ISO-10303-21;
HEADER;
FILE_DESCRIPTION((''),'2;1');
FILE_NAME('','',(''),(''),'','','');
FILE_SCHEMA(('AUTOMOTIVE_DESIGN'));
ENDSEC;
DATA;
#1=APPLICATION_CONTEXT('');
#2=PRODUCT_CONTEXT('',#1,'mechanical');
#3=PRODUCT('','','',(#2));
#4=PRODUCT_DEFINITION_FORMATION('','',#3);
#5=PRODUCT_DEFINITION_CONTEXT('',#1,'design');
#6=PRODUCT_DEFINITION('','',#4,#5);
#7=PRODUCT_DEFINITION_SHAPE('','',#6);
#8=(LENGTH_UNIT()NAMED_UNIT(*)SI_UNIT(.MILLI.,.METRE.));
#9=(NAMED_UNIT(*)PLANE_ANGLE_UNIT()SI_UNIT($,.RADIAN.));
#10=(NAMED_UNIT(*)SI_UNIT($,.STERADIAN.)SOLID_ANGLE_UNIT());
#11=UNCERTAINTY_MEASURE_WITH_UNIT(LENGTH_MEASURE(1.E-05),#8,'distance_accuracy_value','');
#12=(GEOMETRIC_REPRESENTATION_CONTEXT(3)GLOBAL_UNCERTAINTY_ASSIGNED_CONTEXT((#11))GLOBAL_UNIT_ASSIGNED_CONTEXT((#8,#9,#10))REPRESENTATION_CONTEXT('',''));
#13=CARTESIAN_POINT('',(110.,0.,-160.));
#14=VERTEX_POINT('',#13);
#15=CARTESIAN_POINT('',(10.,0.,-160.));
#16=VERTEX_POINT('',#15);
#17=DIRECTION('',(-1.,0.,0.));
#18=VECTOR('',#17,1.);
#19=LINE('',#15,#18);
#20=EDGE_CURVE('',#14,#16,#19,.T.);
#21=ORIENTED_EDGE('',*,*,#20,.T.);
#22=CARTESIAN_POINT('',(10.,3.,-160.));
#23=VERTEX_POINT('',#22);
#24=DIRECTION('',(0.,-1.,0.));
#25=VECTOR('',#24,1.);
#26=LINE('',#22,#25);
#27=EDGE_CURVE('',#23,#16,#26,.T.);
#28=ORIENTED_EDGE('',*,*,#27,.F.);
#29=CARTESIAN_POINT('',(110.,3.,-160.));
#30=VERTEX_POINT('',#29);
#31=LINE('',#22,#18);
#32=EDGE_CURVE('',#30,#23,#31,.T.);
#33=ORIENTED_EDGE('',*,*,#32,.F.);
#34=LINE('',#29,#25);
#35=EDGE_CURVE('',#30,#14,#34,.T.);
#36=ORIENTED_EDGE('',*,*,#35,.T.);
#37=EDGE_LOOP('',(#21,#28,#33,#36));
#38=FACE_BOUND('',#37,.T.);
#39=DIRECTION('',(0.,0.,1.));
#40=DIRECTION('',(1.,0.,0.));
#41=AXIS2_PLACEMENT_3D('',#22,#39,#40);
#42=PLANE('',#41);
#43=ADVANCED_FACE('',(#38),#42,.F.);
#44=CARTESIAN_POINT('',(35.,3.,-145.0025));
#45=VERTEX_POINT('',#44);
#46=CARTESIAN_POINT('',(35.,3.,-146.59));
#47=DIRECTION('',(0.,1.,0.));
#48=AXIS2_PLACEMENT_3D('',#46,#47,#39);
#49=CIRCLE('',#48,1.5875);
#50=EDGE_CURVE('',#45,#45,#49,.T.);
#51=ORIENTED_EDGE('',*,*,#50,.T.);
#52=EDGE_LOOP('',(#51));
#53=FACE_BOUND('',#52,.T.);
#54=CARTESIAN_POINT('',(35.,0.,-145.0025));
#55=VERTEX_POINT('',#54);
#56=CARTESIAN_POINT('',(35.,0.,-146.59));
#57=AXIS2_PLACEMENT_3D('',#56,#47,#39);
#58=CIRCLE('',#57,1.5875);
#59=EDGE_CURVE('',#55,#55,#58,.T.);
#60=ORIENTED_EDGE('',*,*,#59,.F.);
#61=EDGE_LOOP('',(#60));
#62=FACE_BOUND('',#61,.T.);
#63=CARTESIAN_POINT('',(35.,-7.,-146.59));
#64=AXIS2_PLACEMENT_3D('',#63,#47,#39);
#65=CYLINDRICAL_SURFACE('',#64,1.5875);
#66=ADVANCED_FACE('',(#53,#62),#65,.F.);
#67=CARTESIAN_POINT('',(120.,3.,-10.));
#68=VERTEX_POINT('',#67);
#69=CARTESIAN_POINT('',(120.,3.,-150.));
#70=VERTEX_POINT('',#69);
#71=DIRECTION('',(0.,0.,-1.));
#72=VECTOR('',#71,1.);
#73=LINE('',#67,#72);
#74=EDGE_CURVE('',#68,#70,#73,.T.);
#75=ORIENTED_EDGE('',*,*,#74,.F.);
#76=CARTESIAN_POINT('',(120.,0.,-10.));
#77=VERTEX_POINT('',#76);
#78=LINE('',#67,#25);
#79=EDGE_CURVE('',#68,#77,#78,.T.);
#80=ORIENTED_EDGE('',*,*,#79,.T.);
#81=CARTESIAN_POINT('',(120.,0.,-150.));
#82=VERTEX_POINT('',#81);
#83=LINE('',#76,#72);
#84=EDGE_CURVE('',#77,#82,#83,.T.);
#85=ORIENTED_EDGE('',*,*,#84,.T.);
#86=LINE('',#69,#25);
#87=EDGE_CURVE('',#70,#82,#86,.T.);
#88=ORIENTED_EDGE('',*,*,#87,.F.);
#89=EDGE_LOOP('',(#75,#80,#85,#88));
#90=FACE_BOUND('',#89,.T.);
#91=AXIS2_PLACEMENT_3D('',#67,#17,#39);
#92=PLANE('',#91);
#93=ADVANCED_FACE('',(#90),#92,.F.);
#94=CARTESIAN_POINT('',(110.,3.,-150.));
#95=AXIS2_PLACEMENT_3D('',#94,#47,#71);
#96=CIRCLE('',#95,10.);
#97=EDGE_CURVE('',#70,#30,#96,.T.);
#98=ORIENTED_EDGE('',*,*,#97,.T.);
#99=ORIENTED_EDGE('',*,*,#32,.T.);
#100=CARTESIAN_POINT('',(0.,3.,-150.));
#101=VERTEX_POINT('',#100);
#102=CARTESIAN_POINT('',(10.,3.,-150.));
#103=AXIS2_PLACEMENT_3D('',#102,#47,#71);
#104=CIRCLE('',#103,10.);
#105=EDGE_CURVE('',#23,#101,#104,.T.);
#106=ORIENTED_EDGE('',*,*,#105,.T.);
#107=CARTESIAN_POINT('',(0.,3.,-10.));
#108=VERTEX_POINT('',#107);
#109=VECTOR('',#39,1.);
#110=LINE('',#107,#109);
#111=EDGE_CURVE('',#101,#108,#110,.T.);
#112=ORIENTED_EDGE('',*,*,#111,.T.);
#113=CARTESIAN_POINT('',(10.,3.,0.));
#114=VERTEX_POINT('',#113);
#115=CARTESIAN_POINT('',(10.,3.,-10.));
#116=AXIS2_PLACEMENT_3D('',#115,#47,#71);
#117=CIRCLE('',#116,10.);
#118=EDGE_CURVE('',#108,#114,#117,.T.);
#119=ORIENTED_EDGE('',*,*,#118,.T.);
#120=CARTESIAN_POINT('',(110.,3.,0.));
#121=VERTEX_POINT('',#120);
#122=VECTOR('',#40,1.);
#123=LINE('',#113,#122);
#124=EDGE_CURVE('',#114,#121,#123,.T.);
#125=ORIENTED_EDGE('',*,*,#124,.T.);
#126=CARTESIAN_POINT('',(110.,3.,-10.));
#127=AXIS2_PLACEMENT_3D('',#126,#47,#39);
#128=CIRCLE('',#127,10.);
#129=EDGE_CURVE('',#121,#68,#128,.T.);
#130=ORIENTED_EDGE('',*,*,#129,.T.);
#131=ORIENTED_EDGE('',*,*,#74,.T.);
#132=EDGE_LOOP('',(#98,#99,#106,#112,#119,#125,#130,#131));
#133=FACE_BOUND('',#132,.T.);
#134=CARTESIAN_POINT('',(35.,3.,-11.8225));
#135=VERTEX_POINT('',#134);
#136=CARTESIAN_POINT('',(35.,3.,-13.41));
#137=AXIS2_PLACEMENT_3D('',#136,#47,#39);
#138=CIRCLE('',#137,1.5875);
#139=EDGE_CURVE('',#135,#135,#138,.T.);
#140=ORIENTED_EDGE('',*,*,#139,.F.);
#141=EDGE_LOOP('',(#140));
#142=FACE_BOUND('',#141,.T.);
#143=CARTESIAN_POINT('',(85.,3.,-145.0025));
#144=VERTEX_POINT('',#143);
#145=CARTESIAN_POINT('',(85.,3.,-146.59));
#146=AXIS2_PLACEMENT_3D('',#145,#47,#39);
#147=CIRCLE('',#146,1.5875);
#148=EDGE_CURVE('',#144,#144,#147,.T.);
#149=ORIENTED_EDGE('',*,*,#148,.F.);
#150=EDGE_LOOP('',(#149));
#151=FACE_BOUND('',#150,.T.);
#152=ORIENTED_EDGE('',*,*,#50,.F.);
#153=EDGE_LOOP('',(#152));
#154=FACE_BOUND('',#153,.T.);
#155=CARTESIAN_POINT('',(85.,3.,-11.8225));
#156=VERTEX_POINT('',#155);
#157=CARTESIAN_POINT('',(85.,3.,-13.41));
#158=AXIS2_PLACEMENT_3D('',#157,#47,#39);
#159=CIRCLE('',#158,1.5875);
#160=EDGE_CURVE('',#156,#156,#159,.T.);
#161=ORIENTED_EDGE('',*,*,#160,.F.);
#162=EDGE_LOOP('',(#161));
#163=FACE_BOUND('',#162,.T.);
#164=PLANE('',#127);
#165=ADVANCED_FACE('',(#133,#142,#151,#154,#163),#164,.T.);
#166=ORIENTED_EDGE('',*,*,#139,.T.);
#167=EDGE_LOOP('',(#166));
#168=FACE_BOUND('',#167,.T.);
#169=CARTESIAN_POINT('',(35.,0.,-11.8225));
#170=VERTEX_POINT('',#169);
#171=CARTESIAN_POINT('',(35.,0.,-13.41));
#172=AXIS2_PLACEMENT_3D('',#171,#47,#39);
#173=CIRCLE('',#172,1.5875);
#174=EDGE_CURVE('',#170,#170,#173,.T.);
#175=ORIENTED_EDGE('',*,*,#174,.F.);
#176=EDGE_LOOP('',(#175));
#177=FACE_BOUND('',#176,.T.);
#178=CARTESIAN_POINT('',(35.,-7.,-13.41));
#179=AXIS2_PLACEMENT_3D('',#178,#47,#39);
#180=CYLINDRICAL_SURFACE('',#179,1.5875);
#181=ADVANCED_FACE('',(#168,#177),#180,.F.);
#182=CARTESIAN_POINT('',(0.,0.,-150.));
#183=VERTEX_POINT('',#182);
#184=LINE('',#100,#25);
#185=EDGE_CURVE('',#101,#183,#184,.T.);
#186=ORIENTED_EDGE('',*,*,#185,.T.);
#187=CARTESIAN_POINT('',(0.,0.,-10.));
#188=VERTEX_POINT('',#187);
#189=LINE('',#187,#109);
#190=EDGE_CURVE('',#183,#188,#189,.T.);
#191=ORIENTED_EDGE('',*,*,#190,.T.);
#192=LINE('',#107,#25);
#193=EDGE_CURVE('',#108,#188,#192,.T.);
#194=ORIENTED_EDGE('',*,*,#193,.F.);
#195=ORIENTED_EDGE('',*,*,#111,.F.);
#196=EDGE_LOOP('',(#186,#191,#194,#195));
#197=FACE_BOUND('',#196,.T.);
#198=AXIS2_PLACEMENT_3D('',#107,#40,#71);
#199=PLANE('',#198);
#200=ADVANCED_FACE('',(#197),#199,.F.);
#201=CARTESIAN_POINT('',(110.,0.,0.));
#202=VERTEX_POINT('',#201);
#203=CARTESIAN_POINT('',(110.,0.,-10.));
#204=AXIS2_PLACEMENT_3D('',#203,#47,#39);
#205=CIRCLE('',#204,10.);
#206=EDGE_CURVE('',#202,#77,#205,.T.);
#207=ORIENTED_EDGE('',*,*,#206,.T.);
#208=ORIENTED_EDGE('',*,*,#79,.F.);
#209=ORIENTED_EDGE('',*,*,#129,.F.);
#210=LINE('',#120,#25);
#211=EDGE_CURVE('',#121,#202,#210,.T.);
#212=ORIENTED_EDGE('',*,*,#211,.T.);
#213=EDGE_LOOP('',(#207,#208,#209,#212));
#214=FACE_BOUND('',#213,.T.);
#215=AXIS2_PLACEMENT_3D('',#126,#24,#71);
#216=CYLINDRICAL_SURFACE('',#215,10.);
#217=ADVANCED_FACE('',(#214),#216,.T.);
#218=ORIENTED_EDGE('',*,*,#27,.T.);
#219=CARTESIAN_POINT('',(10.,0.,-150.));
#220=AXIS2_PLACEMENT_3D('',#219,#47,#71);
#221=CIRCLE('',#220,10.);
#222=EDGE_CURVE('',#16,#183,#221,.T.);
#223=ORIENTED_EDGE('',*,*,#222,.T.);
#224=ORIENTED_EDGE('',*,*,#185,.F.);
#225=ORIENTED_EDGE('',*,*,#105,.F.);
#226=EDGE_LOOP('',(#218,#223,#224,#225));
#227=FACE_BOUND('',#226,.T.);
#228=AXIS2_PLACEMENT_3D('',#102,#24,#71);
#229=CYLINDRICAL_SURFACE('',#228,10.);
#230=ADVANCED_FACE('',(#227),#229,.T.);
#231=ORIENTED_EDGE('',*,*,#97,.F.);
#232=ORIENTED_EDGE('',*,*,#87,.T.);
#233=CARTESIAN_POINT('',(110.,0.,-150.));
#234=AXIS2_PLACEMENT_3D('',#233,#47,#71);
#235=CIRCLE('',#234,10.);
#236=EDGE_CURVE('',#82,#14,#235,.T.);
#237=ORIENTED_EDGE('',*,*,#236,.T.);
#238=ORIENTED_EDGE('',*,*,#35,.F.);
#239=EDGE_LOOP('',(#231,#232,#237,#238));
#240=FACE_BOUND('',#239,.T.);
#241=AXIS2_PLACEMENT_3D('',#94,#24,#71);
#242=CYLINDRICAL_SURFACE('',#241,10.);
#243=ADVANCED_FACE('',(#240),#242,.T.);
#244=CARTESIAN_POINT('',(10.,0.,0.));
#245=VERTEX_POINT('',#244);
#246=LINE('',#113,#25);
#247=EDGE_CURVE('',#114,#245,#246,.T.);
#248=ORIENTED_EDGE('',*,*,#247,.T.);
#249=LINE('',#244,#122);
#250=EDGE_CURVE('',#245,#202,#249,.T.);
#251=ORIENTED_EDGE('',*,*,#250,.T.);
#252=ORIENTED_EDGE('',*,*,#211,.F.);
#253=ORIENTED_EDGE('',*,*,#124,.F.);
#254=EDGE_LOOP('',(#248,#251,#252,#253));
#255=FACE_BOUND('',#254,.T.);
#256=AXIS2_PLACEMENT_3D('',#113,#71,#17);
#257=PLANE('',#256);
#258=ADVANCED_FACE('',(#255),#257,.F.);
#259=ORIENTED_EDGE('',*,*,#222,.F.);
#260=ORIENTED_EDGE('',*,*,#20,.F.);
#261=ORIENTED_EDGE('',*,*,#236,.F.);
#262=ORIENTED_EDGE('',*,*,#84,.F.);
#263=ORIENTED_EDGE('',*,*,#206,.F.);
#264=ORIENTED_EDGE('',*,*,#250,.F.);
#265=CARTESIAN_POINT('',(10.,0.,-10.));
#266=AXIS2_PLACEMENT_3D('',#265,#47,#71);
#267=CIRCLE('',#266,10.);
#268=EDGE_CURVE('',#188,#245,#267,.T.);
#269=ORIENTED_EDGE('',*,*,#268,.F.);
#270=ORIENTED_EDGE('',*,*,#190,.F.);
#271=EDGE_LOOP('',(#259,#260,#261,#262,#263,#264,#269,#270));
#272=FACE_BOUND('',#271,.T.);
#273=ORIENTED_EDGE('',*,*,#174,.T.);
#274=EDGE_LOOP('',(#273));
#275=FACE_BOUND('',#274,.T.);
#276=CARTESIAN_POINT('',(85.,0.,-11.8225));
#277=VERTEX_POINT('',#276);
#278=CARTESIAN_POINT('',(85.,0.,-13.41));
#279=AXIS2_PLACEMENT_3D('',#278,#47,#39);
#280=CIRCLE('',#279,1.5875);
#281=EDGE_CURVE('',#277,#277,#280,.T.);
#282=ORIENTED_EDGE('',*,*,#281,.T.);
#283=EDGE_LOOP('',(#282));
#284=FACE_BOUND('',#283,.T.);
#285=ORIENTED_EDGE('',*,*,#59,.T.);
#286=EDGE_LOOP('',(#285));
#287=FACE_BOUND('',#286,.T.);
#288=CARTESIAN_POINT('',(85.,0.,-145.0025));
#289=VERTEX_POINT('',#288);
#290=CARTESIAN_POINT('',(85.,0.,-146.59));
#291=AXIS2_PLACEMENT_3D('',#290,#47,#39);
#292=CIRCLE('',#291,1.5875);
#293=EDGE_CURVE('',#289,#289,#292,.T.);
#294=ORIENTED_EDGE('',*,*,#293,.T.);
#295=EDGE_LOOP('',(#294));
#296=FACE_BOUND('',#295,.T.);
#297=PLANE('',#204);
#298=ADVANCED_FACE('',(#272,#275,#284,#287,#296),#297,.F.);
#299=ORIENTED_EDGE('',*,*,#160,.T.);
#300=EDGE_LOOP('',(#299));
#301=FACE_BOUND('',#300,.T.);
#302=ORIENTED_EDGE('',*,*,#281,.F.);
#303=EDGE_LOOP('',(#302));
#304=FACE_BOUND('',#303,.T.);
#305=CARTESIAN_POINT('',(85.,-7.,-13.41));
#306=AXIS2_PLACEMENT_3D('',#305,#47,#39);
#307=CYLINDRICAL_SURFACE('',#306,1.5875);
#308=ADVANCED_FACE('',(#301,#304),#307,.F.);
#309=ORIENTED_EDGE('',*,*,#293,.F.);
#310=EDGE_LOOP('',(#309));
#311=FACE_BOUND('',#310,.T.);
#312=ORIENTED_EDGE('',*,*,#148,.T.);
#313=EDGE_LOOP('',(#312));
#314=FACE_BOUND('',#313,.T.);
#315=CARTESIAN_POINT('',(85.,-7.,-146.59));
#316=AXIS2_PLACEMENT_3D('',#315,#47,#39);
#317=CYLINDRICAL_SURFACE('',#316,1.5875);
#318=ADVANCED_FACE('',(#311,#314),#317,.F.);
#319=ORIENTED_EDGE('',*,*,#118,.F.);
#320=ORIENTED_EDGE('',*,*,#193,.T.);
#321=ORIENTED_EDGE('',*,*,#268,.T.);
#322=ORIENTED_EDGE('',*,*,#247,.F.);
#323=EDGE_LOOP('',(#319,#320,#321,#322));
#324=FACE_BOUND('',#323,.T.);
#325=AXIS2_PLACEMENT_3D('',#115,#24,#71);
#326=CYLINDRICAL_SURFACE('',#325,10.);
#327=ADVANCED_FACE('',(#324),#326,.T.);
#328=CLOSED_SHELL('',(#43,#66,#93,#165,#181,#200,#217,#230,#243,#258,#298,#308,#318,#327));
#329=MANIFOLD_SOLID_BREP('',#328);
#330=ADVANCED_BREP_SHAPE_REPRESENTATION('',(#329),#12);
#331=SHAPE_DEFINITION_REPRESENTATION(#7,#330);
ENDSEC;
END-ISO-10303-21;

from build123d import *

# Parameters (mm, degrees)
SALIENTE_EXTRUIR1_DEPTH = 3
CROQUIS2_R              = 1.5875
CORTAR_EXTRUIR1_DEPTH   = 10


with BuildPart() as part:
    # Croquis1 → Saliente-Extruir1 (new body)
    with BuildSketch(Plane(origin=(0, 0, 0), x_dir=(1, 0, 0), z_dir=(0, 1, 0))):
        with BuildLine():
            Line((10, 0), (110, 0))
            ThreePointArc((110, 0), (117.071067812, 2.928932188), (120, 10))
            Line((120, 10), (120, 150))
            ThreePointArc((120, 150), (117.071067812, 157.071067812), (110, 160))
            Line((110, 160), (10, 160))
            ThreePointArc((10, 160), (2.928932188, 157.071067812), (0, 150))
            Line((0, 150), (0, 10))
            ThreePointArc((0, 10), (2.928932188, 2.928932188), (10, 0))
        make_face()
    extrude(amount=SALIENTE_EXTRUIR1_DEPTH)

    # Croquis2 → Cortar-Extruir1 (cut)
    with BuildSketch(Plane(origin=(0, 3, 0), x_dir=(1, 0, 0), z_dir=(0, 1, 0))):
        with Locations((35, 146.59)):
            Circle(CROQUIS2_R)
        with Locations((85, 146.59)):
            Circle(CROQUIS2_R)
        with Locations((35, 13.41)):
            Circle(CROQUIS2_R)
        with Locations((85, 13.41)):
            Circle(CROQUIS2_R)
    extrude(amount=-CORTAR_EXTRUIR1_DEPTH, mode=Mode.SUBTRACT)


solid = part.part
